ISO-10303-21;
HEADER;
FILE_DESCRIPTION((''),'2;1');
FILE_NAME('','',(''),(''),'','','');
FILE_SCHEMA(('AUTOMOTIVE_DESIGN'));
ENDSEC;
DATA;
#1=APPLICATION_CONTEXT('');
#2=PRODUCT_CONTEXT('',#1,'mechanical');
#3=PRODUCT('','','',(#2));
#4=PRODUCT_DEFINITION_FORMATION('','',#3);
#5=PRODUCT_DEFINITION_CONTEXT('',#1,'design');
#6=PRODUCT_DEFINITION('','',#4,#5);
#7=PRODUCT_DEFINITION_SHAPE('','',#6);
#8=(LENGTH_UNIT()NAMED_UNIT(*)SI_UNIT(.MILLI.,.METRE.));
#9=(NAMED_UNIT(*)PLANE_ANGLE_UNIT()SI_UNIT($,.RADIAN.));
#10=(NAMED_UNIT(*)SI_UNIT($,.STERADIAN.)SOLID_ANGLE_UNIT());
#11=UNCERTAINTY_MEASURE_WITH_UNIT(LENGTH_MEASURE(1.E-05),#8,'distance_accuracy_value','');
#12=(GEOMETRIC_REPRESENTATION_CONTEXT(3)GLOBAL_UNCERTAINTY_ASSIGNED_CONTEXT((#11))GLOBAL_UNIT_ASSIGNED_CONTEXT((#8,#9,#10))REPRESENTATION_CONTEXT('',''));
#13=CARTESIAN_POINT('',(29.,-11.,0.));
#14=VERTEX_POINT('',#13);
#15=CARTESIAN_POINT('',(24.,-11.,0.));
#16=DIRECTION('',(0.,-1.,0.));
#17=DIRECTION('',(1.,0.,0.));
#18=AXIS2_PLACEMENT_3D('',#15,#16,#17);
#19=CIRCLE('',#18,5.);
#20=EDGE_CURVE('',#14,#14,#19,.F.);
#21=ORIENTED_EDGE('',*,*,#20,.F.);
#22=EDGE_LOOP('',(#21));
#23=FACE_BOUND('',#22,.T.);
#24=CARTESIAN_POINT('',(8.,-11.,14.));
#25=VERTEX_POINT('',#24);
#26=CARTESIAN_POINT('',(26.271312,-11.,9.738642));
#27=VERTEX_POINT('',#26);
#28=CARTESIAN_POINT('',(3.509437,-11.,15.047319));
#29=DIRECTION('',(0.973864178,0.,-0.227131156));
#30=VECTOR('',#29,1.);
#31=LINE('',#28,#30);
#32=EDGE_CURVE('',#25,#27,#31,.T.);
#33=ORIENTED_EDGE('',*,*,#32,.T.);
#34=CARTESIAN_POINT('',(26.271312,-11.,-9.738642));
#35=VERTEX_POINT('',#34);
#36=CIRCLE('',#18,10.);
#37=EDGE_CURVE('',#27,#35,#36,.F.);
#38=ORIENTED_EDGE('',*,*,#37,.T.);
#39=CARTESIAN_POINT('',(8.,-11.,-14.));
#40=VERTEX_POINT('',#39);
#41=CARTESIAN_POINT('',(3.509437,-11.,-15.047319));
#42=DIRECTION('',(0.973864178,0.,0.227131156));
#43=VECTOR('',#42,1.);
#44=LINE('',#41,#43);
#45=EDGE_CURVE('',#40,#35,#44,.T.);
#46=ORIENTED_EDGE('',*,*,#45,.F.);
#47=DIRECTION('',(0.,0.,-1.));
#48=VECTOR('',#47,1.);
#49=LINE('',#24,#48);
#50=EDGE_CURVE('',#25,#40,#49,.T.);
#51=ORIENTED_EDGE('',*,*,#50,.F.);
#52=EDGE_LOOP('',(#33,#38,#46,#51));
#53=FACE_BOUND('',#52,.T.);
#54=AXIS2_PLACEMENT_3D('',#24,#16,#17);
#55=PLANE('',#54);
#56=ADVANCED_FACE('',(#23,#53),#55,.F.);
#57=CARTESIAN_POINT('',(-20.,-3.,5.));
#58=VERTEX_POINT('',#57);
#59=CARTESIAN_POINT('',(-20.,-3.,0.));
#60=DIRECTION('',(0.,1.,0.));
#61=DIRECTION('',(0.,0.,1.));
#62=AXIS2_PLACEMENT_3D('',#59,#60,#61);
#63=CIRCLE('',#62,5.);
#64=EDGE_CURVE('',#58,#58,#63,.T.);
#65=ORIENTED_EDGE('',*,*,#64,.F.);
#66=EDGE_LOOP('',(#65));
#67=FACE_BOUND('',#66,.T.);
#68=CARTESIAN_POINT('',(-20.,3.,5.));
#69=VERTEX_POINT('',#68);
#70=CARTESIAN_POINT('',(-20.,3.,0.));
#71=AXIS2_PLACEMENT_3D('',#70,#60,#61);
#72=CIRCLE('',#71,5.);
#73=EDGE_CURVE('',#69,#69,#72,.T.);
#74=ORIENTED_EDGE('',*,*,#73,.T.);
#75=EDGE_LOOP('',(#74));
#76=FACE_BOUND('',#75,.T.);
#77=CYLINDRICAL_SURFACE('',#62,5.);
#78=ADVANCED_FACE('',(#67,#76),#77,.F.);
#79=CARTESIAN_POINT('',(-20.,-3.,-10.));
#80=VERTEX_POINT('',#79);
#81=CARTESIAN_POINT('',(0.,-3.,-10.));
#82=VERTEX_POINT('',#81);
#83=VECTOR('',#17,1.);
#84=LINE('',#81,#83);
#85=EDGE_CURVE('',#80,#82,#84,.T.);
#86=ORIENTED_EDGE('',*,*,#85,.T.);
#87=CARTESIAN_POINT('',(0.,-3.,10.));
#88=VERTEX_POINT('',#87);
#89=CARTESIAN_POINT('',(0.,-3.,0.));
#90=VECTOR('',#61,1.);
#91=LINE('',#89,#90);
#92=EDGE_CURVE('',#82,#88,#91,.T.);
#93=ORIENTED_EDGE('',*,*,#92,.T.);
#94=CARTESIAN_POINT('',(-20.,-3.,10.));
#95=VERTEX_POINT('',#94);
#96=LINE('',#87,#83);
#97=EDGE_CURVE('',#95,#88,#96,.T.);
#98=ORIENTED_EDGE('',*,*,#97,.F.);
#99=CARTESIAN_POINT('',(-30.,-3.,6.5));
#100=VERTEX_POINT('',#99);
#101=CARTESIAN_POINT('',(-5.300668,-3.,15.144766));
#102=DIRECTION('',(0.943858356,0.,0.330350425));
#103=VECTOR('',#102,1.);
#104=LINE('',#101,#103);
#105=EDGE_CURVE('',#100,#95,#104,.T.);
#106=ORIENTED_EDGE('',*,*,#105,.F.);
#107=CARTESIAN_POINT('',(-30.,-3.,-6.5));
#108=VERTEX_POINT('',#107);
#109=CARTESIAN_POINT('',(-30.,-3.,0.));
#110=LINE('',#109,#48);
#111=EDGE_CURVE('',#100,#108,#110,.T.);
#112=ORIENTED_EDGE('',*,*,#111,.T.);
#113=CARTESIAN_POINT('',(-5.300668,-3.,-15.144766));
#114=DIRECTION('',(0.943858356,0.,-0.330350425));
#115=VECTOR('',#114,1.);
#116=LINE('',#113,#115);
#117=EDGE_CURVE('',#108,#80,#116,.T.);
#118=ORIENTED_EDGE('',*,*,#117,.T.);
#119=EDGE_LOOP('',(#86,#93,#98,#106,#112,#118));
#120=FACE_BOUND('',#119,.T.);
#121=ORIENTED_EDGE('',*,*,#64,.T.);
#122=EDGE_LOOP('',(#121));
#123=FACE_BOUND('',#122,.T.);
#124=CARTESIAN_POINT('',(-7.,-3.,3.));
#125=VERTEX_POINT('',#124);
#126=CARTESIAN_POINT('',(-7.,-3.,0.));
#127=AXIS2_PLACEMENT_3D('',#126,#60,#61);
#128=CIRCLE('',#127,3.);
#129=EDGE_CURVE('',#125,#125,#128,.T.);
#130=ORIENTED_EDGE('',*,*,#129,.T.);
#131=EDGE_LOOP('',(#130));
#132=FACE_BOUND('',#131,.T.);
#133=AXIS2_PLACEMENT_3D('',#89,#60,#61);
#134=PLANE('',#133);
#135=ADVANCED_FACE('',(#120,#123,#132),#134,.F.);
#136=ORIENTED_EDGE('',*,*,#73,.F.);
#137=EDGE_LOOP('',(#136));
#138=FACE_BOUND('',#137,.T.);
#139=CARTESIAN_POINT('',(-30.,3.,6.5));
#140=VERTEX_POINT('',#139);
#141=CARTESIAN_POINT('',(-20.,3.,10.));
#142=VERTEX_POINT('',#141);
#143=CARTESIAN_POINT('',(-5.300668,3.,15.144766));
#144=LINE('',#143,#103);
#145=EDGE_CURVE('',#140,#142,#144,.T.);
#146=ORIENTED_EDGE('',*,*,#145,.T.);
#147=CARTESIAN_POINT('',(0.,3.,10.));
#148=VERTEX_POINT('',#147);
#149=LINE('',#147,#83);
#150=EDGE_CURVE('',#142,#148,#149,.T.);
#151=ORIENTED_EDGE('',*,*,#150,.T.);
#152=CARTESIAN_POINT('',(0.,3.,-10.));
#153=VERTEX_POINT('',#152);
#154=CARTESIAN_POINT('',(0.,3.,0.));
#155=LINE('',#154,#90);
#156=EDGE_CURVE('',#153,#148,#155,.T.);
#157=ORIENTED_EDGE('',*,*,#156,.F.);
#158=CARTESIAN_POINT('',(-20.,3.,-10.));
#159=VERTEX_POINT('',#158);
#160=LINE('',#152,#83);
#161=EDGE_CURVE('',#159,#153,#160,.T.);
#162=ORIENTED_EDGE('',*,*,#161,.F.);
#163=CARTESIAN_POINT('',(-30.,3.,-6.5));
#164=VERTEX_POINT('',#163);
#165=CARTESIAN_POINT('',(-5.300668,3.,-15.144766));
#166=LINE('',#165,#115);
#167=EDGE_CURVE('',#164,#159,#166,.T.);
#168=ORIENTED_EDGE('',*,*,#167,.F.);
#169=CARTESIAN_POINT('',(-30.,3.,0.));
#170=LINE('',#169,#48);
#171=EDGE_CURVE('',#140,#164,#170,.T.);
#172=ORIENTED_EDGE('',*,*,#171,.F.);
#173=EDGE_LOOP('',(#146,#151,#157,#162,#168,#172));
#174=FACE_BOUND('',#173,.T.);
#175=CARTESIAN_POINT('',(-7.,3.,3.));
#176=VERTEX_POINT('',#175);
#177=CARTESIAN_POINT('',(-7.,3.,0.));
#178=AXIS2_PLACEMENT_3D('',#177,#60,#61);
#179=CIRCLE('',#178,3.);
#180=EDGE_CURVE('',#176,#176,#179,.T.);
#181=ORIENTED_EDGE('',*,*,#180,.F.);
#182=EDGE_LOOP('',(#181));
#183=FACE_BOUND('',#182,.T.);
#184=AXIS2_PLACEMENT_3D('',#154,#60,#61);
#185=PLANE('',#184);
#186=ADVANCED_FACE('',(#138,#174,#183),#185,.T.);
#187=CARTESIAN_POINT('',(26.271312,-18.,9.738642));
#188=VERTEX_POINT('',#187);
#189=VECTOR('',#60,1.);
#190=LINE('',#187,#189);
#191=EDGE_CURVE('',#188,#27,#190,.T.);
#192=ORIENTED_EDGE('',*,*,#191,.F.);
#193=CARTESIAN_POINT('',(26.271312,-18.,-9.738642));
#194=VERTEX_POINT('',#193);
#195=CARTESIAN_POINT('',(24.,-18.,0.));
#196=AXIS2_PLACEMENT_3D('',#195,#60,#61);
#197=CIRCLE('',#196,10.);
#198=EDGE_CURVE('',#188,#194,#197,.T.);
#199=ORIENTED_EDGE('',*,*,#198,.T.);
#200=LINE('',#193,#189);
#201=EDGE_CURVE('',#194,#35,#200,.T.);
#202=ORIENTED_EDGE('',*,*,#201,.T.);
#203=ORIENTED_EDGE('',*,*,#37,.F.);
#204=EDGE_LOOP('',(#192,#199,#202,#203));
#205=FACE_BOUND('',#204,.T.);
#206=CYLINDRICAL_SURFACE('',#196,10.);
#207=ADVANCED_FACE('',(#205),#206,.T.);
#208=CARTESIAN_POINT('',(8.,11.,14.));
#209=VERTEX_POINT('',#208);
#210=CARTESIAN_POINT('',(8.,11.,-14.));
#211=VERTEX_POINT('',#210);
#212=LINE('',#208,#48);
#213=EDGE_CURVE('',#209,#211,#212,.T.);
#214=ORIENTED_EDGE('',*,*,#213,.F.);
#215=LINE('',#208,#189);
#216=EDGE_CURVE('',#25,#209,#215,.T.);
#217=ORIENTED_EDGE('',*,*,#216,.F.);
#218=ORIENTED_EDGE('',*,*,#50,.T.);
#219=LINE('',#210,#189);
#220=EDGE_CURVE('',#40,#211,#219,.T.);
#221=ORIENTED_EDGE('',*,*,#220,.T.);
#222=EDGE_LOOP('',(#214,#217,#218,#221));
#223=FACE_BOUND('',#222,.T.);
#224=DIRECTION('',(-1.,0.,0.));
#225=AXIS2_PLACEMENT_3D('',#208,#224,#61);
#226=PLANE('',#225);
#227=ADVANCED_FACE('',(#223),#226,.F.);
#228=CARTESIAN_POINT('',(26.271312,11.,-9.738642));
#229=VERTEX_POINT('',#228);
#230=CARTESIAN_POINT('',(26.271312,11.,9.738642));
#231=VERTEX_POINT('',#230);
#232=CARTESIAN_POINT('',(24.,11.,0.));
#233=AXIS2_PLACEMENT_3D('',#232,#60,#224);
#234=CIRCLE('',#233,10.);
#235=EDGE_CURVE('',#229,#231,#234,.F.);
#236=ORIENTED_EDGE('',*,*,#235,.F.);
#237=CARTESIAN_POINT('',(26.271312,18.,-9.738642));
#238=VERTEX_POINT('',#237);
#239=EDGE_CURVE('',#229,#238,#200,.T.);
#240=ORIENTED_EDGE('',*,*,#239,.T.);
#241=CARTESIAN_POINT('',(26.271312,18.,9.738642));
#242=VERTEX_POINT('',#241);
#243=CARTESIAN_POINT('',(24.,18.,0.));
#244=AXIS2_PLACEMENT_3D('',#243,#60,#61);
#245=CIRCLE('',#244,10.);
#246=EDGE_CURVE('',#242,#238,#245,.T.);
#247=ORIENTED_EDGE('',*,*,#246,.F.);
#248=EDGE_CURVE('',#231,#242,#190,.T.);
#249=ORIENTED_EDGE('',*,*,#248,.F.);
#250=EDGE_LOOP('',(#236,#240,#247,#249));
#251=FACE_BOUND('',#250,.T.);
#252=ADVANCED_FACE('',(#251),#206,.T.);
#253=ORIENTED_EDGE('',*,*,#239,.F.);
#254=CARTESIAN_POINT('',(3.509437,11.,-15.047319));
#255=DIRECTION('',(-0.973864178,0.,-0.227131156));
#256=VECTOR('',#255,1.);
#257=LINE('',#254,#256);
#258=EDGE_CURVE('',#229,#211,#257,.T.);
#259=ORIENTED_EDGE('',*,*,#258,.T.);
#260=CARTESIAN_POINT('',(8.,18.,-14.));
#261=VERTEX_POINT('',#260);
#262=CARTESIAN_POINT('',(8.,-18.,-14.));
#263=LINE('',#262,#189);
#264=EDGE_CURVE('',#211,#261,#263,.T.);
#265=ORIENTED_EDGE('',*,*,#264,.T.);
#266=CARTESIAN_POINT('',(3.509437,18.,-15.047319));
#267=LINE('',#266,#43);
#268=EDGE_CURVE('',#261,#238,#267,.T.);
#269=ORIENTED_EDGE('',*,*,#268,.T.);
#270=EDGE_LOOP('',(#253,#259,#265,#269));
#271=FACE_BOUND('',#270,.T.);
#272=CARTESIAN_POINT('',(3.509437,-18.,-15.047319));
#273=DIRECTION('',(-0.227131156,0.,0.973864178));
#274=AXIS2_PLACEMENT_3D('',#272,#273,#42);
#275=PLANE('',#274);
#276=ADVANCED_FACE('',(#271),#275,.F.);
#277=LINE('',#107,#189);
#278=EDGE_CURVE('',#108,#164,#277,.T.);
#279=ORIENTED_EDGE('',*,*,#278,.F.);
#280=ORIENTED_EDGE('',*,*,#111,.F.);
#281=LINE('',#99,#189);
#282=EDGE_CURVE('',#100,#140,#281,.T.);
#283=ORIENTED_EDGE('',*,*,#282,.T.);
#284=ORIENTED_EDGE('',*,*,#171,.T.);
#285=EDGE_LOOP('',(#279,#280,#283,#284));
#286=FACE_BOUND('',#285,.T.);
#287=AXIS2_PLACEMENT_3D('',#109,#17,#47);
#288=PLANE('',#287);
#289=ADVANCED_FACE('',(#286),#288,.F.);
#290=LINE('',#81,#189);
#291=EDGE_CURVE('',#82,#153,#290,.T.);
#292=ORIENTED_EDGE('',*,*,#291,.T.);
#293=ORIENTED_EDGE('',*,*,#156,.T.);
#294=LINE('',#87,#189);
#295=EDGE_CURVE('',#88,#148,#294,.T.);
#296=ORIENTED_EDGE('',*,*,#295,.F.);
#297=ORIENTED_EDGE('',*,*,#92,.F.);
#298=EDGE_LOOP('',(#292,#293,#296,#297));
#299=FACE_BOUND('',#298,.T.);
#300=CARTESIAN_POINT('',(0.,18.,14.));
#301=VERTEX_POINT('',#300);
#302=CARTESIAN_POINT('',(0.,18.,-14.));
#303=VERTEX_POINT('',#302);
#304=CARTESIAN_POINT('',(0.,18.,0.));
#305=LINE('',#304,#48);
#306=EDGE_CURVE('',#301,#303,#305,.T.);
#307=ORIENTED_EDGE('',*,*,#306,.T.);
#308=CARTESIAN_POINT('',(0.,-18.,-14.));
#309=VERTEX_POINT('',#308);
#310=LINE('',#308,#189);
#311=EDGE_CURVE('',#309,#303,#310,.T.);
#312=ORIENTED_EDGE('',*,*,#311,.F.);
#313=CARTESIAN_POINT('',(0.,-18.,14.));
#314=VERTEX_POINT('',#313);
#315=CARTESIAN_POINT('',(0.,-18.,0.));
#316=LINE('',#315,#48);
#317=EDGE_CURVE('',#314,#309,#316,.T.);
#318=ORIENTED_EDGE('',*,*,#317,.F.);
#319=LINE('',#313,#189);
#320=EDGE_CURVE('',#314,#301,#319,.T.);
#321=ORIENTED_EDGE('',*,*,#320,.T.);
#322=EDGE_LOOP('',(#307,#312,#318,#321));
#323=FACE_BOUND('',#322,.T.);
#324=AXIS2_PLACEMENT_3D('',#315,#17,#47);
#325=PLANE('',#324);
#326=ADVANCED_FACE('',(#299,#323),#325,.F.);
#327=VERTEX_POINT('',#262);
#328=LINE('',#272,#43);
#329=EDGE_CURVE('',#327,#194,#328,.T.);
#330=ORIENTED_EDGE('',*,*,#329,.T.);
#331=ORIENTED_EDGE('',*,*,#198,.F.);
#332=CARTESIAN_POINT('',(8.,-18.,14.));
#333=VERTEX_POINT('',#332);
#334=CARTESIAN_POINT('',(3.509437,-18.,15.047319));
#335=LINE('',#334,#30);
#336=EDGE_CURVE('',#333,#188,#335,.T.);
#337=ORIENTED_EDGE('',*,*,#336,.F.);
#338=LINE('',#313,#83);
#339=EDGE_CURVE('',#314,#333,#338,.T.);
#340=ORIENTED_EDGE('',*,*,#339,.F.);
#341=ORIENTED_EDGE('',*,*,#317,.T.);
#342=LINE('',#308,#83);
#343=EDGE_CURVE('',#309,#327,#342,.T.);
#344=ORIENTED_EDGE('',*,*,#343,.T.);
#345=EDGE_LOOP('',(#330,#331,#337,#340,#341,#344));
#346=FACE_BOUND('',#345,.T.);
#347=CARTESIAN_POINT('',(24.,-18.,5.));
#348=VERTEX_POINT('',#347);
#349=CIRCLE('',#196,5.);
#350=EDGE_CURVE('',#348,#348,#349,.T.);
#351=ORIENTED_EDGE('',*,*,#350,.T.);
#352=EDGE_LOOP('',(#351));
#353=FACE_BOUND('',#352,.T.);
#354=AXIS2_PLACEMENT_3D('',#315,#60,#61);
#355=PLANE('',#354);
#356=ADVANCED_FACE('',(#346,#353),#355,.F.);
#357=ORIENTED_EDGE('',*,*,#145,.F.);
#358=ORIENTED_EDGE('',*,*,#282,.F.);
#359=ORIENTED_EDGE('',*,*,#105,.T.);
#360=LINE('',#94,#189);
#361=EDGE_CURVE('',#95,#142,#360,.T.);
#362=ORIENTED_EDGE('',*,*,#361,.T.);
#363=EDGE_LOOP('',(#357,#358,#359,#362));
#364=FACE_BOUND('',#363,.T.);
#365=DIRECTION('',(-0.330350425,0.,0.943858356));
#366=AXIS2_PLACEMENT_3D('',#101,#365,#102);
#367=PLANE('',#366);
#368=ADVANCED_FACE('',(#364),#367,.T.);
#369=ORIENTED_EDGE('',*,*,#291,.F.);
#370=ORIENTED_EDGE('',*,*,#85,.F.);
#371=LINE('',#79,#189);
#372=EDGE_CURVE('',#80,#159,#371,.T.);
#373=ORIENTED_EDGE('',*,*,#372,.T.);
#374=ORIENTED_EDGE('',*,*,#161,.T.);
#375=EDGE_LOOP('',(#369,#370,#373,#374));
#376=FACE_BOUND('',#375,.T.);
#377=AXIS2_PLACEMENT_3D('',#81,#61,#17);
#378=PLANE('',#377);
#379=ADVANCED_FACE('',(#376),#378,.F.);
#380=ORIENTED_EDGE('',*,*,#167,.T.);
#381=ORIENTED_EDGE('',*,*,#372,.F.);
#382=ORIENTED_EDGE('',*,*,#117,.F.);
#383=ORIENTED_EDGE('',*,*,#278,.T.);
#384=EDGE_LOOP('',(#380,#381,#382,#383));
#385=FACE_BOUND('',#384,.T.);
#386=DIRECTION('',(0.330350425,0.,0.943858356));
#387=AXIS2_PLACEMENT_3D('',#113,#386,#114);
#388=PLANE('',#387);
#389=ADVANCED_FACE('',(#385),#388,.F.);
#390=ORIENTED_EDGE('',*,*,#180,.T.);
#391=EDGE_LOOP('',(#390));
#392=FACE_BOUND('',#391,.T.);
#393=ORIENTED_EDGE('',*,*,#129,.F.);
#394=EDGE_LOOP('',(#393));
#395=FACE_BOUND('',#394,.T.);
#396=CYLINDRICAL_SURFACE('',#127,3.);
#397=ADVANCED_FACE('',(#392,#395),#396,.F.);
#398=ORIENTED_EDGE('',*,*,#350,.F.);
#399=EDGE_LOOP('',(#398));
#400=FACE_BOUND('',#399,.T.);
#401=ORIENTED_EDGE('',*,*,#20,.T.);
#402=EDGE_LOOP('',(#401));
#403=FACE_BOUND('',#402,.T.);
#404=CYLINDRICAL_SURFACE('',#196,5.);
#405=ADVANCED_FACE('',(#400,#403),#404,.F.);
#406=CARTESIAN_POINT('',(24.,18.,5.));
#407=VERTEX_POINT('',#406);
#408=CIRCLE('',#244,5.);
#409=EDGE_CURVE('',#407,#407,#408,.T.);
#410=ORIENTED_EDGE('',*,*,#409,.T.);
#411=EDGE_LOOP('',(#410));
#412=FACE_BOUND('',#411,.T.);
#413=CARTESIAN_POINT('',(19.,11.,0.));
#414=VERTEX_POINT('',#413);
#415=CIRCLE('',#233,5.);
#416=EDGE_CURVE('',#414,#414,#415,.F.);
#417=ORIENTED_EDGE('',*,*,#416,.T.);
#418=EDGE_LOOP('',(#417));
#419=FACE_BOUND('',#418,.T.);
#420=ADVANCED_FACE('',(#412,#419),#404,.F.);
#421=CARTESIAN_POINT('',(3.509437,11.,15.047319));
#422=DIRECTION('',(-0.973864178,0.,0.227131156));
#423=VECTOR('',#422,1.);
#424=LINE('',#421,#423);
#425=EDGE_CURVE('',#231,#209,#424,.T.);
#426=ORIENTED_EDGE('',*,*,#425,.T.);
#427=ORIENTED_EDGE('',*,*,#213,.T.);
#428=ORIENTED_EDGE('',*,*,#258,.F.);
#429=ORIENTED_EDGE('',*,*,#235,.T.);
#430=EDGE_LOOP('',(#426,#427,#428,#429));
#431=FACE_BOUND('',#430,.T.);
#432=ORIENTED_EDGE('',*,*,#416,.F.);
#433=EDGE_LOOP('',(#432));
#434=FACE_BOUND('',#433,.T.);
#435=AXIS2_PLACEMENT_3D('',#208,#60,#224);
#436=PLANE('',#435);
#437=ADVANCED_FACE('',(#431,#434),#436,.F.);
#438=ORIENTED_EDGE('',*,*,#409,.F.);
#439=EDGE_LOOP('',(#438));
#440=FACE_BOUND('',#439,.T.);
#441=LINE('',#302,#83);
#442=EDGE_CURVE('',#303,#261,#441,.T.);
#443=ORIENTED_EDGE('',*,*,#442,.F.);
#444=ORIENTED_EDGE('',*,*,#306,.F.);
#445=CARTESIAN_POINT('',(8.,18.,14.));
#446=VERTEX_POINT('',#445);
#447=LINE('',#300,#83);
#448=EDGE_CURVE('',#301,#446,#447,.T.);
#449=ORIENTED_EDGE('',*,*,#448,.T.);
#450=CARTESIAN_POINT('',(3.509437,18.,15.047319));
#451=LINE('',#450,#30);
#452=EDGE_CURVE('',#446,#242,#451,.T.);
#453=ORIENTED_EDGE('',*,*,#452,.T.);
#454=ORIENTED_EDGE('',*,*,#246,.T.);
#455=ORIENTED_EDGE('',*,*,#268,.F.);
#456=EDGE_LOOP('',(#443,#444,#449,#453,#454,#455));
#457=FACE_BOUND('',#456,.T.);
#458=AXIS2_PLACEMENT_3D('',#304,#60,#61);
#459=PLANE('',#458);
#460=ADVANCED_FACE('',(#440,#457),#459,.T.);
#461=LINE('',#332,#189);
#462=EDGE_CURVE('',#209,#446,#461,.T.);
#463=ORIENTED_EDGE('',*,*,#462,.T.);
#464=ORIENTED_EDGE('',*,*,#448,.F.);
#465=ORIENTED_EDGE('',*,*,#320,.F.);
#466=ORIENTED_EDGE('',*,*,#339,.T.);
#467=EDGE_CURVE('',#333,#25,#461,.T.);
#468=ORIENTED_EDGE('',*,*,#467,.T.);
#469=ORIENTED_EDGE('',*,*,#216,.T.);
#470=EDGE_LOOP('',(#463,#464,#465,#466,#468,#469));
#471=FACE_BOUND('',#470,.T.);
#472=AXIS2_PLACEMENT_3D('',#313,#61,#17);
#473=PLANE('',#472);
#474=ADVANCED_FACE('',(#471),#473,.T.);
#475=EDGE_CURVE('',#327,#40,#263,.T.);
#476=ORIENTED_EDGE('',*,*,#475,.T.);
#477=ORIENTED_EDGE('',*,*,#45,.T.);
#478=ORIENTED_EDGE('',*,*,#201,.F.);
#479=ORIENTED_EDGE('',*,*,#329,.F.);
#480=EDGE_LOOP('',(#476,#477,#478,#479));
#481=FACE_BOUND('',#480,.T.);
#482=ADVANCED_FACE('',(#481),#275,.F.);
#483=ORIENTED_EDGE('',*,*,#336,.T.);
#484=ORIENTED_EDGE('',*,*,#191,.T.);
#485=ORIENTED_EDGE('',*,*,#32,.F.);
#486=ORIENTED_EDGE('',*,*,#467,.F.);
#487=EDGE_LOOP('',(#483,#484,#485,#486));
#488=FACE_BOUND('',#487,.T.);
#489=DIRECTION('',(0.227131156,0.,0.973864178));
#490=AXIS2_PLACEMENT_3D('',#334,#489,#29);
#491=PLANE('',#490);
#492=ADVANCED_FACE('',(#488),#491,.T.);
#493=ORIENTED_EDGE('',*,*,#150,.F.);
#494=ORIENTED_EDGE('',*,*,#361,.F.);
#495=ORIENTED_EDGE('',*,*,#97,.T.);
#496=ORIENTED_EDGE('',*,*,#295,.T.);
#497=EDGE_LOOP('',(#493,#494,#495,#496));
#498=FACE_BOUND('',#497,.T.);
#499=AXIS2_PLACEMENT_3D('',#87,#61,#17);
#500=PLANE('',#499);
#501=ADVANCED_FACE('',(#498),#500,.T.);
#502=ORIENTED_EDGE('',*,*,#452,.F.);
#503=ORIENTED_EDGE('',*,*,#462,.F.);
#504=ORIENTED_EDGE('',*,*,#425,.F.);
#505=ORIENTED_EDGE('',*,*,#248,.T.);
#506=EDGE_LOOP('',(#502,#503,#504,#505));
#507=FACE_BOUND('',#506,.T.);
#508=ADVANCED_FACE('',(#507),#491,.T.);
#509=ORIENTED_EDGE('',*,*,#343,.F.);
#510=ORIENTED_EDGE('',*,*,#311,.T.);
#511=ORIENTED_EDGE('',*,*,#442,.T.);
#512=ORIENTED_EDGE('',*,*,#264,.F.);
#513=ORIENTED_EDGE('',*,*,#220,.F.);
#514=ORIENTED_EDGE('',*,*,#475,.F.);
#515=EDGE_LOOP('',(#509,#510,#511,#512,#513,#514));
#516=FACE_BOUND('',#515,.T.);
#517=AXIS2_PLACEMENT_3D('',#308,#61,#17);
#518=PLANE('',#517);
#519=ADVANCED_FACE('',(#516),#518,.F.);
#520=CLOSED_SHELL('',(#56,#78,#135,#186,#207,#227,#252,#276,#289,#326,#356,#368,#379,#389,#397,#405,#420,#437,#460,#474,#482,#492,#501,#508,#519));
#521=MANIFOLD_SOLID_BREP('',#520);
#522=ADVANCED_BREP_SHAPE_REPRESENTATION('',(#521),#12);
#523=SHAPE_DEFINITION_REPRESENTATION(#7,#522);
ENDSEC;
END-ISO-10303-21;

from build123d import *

# Parameters (mm, degrees)
BOSS_EXTRUDE3_DEPTH      = 18
BOSS_EXTRUDE3_DEPTH_BACK = 18
SKETCH1_R                = 5
BOSS_EXTRUDE4_DEPTH      = 3
BOSS_EXTRUDE4_DEPTH_BACK = 3
SKETCH1_5_R              = 5
SKETCH1_5_R_2            = 3
SKETCH3_W                = 40.653147646
SKETCH3_H                = 22
CUT_EXTRUDE2_DEPTH       = 48.581509013


with BuildPart() as part:
    # Sketch1 → Boss-Extrude3 (new, two sides: drawn at the far end of the back side and taken through both)
    with BuildSketch(Plane(origin=(0, 0, 0), x_dir=(1, 0, 0), z_dir=(0, 1, 0)).offset(-BOSS_EXTRUDE3_DEPTH_BACK)):
        with BuildLine():
            Line((0, 10), (0, -10))
            Line((0, -10), (0, -14))
            Line((0, -14), (8, -14))
            Line((8, -14), (26.271311561, -9.738641784))
            ThreePointArc((26.271311561, -9.738641784), (34, 0), (26.271311561, 9.738641784))
            Line((26.271311561, 9.738641784), (8, 14))
            Line((8, 14), (0, 14))
            Line((0, 14), (0, 10))
        make_face()
        with Locations((24, 0)):
            Circle(SKETCH1_R, mode=Mode.SUBTRACT)
    extrude(amount=BOSS_EXTRUDE3_DEPTH + BOSS_EXTRUDE3_DEPTH_BACK)

    # Sketch1<5> → Boss-Extrude4 (add, two sides: drawn at the far end of the back side and taken through both)
    with BuildSketch(Plane(origin=(0, 0, 0), x_dir=(1, 0, 0), z_dir=(0, 1, 0)).offset(-BOSS_EXTRUDE4_DEPTH_BACK)):
        Polygon((-30, 6.5), (-30, -6.5), (-20, -10), (0, -10), (0, 10), (-20, 10), align=None)
        with Locations((-20, 0)):
            Circle(SKETCH1_5_R, mode=Mode.SUBTRACT)
        with Locations((-7, 0)):
            Circle(SKETCH1_5_R_2, mode=Mode.SUBTRACT)
    extrude(amount=BOSS_EXTRUDE4_DEPTH + BOSS_EXTRUDE4_DEPTH_BACK)

    # Sketch3 → Cut-Extrude2 (cut, through all)
    with BuildSketch(Plane(origin=(0, 0, -14), x_dir=(-1, 0, 0), z_dir=(0, 0, -1))):
        with Locations((-28.326573823, 0)):
            Rectangle(SKETCH3_W, SKETCH3_H)
    extrude(amount=-CUT_EXTRUDE2_DEPTH, mode=Mode.SUBTRACT)


solid = part.part
